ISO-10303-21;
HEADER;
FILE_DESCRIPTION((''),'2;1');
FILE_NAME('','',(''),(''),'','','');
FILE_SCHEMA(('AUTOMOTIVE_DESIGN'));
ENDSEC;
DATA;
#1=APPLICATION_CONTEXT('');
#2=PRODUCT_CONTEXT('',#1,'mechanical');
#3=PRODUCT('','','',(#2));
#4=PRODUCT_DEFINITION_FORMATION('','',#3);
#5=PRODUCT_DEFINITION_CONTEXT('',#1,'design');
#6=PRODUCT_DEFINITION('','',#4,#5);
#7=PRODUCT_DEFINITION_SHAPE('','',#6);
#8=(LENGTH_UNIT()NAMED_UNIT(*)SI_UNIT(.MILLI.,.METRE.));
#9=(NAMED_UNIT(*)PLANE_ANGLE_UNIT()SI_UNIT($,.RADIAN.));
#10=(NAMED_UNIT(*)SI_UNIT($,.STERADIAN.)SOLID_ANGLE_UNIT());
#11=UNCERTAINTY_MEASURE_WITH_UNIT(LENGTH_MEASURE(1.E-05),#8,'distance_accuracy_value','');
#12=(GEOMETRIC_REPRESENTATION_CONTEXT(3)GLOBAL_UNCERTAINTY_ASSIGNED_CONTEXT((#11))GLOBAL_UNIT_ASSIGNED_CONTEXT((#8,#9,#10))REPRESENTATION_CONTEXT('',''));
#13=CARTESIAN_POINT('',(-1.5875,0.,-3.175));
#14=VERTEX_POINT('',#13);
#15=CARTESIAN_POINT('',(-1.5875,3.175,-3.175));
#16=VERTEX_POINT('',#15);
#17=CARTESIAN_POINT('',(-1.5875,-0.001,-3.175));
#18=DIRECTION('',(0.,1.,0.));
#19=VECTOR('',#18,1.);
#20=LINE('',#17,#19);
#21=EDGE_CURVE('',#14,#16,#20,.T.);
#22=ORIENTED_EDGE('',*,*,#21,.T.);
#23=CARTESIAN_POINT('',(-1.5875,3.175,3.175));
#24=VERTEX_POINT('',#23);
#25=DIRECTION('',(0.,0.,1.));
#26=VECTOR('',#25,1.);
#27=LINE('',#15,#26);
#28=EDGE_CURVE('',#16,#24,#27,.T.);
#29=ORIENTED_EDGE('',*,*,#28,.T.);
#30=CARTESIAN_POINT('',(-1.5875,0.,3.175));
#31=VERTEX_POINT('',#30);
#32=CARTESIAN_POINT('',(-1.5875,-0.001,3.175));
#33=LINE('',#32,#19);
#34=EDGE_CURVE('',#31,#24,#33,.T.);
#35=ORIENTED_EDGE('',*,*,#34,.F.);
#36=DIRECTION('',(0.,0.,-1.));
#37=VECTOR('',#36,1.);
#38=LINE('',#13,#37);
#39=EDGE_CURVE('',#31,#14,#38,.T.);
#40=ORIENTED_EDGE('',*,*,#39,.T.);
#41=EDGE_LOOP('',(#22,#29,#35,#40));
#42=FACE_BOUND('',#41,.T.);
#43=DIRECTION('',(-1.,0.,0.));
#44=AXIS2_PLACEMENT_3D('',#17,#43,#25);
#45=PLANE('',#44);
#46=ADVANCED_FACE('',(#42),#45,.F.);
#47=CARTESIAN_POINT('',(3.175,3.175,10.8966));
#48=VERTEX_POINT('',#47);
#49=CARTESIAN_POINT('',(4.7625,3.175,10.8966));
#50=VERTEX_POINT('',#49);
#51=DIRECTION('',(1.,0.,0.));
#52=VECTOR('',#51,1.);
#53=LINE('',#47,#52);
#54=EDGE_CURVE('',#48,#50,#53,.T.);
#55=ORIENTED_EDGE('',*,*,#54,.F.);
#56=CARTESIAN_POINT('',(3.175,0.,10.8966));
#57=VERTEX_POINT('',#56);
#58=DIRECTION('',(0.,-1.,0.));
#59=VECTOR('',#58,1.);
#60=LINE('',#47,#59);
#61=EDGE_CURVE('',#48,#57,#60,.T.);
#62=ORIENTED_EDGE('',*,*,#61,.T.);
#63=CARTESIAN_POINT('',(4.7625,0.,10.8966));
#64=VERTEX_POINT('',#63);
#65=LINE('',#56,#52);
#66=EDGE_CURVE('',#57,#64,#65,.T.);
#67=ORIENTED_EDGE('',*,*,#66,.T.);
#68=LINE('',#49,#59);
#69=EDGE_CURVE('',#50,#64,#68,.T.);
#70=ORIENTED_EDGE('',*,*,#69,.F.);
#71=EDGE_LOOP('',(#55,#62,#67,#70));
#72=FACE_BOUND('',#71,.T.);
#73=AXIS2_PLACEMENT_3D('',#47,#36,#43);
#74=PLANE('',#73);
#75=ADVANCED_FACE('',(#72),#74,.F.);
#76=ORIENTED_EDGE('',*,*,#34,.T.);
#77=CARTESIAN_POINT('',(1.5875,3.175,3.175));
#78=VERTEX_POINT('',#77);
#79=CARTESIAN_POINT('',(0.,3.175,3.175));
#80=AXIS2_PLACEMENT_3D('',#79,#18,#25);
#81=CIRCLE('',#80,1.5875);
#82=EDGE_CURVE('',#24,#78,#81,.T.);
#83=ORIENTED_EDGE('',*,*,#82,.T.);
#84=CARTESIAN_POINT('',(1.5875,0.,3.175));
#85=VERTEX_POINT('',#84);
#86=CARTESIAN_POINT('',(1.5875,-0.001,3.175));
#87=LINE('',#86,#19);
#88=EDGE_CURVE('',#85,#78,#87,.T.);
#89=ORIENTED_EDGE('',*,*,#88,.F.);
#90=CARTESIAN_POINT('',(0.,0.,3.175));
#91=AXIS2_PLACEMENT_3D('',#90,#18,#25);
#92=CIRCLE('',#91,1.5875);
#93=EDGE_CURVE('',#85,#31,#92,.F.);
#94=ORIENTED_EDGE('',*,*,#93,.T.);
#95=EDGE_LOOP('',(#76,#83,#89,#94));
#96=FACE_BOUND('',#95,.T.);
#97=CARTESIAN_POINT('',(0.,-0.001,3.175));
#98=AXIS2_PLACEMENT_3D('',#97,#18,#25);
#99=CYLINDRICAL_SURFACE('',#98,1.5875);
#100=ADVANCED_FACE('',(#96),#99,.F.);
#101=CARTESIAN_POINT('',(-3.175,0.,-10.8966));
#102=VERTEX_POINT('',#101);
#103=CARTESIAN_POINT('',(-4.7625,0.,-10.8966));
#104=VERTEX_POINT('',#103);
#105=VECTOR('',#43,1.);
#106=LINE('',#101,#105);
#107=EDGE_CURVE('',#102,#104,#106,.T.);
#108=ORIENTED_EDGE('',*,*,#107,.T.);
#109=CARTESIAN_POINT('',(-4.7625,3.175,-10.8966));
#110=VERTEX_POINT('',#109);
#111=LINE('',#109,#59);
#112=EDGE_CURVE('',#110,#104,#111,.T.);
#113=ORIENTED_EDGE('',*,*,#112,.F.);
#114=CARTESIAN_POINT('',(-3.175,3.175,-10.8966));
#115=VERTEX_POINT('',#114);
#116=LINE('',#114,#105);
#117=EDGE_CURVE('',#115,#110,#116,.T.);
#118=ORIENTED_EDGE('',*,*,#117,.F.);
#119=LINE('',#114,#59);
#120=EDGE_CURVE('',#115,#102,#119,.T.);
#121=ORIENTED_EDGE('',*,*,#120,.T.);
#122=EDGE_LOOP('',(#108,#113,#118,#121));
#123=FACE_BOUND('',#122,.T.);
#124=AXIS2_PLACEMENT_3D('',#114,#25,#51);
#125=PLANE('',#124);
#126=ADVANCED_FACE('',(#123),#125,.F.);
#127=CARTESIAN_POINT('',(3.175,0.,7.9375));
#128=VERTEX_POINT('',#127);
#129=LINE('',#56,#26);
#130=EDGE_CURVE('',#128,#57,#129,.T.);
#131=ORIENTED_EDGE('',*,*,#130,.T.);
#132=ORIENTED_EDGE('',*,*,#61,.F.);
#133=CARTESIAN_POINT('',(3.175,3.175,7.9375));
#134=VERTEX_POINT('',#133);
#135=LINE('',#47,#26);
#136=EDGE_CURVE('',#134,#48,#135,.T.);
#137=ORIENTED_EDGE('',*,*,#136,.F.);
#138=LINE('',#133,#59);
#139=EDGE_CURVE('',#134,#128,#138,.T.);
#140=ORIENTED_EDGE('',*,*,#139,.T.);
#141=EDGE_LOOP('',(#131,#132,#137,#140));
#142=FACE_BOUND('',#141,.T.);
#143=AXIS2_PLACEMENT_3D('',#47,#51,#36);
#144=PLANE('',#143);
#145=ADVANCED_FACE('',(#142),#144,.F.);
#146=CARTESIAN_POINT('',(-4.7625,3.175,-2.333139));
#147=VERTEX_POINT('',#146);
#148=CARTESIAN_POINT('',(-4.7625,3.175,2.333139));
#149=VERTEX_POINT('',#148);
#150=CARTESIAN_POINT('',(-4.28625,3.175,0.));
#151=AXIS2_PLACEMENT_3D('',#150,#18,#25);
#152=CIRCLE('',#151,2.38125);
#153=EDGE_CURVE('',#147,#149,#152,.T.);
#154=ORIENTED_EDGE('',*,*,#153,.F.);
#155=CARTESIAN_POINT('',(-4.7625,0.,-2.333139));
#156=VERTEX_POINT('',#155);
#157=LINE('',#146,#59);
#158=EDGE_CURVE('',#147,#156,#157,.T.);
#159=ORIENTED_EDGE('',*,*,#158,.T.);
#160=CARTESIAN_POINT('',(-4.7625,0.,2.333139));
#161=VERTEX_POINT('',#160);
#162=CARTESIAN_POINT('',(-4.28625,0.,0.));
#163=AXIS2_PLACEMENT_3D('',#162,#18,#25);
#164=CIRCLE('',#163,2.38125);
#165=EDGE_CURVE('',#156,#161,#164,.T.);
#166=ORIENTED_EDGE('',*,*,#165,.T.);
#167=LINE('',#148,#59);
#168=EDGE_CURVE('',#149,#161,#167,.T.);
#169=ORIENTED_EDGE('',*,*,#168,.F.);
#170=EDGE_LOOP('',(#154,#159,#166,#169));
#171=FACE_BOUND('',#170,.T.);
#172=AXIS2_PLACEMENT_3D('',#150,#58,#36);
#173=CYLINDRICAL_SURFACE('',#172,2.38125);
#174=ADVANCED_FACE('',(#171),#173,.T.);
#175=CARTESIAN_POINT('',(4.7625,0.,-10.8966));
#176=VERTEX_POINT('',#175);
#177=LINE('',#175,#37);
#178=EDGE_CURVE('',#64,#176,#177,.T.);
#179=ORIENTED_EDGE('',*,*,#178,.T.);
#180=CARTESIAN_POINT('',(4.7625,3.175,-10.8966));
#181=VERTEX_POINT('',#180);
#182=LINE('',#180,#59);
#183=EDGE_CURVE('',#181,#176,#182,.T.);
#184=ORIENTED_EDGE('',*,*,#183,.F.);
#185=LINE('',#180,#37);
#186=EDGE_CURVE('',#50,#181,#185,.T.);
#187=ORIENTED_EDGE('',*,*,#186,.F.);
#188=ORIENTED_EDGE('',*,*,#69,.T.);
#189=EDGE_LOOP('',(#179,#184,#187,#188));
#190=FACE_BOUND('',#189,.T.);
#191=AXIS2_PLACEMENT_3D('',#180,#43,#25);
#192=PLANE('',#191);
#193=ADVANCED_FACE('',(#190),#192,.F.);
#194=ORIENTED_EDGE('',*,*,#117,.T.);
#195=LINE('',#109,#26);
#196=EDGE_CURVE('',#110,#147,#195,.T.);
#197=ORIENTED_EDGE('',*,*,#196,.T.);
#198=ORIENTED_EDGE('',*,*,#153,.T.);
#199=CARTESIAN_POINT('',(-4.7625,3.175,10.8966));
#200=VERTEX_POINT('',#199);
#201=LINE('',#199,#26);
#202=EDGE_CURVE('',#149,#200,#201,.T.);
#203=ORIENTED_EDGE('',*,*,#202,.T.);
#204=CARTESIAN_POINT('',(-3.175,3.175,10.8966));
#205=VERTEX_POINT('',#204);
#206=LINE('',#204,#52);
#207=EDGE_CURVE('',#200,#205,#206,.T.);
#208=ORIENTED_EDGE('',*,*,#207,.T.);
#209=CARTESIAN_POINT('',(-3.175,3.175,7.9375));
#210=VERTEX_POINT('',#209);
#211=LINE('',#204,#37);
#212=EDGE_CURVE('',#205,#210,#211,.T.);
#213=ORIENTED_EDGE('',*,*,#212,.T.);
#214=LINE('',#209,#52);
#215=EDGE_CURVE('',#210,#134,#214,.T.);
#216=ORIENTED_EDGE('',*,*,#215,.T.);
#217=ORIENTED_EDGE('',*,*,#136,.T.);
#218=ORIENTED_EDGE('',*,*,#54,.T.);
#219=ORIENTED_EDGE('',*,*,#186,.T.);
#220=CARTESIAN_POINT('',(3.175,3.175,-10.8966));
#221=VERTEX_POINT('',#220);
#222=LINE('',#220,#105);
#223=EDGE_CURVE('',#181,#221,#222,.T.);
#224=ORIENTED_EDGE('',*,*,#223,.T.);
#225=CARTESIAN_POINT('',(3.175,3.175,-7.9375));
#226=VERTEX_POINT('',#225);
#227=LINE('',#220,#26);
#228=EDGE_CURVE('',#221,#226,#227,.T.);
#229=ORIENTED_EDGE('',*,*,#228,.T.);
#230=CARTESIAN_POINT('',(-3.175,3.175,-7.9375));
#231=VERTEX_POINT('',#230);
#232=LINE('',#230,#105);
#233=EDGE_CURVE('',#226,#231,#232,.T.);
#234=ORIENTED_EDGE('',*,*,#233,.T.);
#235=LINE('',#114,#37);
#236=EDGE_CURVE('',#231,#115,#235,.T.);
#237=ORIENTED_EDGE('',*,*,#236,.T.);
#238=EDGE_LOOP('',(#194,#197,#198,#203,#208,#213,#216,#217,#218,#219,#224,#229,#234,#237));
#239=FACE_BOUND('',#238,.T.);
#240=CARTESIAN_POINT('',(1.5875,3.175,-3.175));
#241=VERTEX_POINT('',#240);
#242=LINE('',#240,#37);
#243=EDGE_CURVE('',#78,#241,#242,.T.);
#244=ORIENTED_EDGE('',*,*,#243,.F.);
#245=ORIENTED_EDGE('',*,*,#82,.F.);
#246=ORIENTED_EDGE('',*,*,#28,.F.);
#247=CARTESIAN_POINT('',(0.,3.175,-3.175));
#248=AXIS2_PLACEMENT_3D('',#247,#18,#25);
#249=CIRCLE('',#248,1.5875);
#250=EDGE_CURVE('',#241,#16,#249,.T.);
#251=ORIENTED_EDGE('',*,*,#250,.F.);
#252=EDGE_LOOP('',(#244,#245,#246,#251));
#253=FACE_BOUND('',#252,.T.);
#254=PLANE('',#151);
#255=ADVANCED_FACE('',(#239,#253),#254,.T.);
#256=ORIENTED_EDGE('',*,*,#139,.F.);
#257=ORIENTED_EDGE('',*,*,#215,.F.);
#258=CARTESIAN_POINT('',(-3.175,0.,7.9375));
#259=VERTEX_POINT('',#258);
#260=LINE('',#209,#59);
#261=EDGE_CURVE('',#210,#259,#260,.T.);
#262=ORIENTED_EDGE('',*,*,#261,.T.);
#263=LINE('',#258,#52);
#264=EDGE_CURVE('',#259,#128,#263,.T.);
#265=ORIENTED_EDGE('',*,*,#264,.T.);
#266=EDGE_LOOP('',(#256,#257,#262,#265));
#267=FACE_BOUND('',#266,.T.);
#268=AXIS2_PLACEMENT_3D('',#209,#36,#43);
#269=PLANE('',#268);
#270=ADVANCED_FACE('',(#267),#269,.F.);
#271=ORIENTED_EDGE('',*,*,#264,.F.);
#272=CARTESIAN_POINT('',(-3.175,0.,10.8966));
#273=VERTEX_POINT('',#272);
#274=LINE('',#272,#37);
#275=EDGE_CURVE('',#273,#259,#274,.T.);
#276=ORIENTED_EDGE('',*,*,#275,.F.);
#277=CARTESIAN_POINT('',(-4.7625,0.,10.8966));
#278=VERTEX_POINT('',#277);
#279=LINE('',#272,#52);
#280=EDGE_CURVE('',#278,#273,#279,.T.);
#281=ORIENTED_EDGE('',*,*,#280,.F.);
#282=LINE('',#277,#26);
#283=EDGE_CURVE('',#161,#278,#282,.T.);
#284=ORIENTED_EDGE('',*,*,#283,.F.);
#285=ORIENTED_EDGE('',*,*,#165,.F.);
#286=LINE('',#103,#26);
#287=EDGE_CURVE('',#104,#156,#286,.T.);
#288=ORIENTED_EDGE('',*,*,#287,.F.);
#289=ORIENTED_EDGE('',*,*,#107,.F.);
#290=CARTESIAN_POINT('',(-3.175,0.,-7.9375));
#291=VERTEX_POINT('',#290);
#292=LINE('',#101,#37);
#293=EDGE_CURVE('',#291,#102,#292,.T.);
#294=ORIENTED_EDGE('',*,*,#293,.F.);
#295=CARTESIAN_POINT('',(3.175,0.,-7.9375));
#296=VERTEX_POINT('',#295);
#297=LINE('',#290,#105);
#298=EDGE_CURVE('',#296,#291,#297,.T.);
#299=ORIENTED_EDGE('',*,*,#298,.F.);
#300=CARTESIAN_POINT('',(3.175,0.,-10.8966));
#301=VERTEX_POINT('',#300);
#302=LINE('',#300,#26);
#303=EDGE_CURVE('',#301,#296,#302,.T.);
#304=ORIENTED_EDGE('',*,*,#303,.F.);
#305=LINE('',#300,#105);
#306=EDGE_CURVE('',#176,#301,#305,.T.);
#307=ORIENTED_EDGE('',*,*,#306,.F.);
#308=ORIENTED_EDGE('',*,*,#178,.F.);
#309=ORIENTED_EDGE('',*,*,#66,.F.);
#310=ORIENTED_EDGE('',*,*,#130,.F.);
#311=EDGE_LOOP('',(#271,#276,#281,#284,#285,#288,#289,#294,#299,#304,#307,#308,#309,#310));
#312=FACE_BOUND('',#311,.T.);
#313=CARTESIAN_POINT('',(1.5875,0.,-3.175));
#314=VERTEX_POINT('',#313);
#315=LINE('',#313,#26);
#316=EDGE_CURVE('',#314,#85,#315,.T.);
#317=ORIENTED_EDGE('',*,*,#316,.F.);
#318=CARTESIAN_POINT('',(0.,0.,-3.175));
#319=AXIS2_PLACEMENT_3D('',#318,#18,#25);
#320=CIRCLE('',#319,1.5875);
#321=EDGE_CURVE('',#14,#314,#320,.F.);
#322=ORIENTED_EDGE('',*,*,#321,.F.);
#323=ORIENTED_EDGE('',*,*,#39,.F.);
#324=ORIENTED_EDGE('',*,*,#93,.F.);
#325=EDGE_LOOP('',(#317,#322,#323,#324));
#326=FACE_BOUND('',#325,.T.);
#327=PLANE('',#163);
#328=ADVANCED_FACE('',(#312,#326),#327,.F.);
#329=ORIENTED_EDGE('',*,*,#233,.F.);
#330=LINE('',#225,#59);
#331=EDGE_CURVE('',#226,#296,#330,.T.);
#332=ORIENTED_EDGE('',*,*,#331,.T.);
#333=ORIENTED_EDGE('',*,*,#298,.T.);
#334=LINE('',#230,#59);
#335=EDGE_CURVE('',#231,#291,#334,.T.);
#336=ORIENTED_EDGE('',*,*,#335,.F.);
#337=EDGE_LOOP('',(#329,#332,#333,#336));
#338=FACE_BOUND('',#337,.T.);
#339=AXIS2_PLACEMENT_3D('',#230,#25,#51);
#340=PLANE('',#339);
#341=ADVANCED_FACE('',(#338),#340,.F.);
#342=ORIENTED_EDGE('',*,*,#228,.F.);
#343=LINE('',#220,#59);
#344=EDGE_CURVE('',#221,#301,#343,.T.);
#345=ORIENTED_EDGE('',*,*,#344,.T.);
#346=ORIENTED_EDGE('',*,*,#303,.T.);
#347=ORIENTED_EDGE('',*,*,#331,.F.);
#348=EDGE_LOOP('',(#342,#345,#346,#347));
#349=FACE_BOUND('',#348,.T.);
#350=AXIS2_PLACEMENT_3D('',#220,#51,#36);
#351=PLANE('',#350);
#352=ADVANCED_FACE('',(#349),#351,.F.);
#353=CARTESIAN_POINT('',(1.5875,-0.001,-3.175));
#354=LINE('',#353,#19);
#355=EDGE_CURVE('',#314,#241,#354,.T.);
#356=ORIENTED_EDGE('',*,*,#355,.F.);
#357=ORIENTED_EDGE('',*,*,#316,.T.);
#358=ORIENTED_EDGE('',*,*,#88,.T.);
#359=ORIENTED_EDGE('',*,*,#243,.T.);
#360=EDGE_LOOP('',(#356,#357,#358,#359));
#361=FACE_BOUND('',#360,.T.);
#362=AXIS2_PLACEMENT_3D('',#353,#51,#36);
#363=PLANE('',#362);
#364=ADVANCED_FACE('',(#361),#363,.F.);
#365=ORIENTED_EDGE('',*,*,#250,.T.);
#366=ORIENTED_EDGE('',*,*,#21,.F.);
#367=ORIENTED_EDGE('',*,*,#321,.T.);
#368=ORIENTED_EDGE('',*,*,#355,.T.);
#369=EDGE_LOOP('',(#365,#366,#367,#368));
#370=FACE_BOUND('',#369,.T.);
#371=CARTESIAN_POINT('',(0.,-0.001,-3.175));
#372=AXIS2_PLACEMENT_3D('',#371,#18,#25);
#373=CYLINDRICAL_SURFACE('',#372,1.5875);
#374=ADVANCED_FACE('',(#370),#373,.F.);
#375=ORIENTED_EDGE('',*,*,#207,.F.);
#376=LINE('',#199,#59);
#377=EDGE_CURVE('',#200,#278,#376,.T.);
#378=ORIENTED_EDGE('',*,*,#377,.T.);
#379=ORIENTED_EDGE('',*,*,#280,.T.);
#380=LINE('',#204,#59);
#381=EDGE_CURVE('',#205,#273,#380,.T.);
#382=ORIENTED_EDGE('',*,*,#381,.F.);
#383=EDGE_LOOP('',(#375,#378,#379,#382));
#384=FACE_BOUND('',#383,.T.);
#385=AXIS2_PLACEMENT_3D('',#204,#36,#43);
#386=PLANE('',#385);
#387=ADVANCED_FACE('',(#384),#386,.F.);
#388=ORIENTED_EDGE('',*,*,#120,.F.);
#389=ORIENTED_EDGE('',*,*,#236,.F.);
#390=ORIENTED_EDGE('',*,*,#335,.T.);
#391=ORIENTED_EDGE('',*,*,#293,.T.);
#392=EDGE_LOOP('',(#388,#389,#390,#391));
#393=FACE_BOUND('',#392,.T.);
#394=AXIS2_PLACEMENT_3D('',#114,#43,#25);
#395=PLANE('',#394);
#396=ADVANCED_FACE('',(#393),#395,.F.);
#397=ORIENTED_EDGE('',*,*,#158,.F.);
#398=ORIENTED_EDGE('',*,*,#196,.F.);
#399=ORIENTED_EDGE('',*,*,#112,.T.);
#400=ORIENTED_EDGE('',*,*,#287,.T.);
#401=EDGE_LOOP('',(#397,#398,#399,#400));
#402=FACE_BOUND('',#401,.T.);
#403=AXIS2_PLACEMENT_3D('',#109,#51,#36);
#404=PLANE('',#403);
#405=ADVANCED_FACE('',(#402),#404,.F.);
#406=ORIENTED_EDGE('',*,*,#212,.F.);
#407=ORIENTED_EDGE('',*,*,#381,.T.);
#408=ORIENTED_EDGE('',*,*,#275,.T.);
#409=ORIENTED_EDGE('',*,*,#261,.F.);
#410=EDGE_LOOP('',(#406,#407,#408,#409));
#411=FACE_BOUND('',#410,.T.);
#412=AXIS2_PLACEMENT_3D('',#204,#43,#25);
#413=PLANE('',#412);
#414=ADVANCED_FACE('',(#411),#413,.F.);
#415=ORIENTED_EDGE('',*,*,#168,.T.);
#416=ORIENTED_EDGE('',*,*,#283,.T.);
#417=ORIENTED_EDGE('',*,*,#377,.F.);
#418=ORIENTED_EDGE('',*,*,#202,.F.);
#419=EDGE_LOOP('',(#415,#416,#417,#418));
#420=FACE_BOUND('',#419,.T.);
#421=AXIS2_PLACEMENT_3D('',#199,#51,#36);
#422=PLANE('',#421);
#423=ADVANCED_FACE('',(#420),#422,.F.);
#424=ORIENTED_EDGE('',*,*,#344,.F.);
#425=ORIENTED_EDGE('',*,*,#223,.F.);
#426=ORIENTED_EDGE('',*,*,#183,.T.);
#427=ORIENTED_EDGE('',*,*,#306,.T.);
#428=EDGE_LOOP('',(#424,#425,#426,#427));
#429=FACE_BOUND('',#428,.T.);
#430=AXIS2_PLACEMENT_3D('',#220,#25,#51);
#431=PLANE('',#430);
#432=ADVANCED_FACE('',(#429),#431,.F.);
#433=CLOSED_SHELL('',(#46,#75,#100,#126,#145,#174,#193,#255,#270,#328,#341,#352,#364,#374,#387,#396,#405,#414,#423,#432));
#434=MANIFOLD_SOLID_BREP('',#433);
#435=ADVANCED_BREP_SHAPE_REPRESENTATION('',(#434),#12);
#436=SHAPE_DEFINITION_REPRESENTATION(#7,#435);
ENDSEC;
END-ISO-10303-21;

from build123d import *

# Parameters (mm, degrees)
BOSS_EXTRUDE1_DEPTH = 3.175
CUT_EXTRUDE1_REACH  = 5.175


with BuildPart() as part:
    # Sketch2 → Boss-Extrude1 (new body)
    with BuildSketch(Plane(origin=(0, 0, 0), x_dir=(1, 0, 0), z_dir=(0, 1, 0))):
        with BuildLine():
            Line((-3.175, 10.8966), (-3.175, 7.9375))
            Line((-3.175, 7.9375), (3.175, 7.9375))
            Line((3.175, 7.9375), (3.175, 10.8966))
            Line((3.175, 10.8966), (4.7625, 10.8966))
            Line((4.7625, 10.8966), (4.7625, -10.8966))
            Line((4.7625, -10.8966), (3.175, -10.8966))
            Line((3.175, -10.8966), (3.175, -7.9375))
            Line((3.175, -7.9375), (-3.175, -7.9375))
            Line((-3.175, -7.9375), (-3.175, -10.8966))
            Line((-3.175, -10.8966), (-4.7625, -10.8966))
            Line((-4.7625, -10.8966), (-4.7625, -2.33313898))
            ThreePointArc((-4.7625, -2.33313898), (-6.6675, 0), (-4.7625, 2.33313898))
            Line((-4.7625, 2.33313898), (-4.7625, 10.8966))
            Line((-4.7625, 10.8966), (-3.175, 10.8966))
        make_face()
    extrude(amount=BOSS_EXTRUDE1_DEPTH)

    # Sketch3 → Cut-Extrude1 (cut, up to next)
    with BuildSketch(Plane(origin=(0, 3.175, 0), x_dir=(1, 0, 0), z_dir=(0, 1, 0)), mode=Mode.PRIVATE) as cut_extrude1_sk1:
        with BuildLine():
            Line((1.5875, 3.175), (1.5875, -3.175))
            ThreePointArc((1.5875, -3.175), (0, -4.7625), (-1.5875, -3.175))
            Line((-1.5875, -3.175), (-1.5875, 3.175))
            ThreePointArc((-1.5875, 3.175), (0, 4.7625), (1.5875, 3.175))
        make_face()
    cut_extrude1_tool1 = extrude(cut_extrude1_sk1.sketch, amount=-CUT_EXTRUDE1_REACH, mode=Mode.PRIVATE) & part.part
    add(cut_extrude1_tool1.solids().sort_by_distance((0, 3.175, 0))[0], mode=Mode.SUBTRACT)


solid = part.part
